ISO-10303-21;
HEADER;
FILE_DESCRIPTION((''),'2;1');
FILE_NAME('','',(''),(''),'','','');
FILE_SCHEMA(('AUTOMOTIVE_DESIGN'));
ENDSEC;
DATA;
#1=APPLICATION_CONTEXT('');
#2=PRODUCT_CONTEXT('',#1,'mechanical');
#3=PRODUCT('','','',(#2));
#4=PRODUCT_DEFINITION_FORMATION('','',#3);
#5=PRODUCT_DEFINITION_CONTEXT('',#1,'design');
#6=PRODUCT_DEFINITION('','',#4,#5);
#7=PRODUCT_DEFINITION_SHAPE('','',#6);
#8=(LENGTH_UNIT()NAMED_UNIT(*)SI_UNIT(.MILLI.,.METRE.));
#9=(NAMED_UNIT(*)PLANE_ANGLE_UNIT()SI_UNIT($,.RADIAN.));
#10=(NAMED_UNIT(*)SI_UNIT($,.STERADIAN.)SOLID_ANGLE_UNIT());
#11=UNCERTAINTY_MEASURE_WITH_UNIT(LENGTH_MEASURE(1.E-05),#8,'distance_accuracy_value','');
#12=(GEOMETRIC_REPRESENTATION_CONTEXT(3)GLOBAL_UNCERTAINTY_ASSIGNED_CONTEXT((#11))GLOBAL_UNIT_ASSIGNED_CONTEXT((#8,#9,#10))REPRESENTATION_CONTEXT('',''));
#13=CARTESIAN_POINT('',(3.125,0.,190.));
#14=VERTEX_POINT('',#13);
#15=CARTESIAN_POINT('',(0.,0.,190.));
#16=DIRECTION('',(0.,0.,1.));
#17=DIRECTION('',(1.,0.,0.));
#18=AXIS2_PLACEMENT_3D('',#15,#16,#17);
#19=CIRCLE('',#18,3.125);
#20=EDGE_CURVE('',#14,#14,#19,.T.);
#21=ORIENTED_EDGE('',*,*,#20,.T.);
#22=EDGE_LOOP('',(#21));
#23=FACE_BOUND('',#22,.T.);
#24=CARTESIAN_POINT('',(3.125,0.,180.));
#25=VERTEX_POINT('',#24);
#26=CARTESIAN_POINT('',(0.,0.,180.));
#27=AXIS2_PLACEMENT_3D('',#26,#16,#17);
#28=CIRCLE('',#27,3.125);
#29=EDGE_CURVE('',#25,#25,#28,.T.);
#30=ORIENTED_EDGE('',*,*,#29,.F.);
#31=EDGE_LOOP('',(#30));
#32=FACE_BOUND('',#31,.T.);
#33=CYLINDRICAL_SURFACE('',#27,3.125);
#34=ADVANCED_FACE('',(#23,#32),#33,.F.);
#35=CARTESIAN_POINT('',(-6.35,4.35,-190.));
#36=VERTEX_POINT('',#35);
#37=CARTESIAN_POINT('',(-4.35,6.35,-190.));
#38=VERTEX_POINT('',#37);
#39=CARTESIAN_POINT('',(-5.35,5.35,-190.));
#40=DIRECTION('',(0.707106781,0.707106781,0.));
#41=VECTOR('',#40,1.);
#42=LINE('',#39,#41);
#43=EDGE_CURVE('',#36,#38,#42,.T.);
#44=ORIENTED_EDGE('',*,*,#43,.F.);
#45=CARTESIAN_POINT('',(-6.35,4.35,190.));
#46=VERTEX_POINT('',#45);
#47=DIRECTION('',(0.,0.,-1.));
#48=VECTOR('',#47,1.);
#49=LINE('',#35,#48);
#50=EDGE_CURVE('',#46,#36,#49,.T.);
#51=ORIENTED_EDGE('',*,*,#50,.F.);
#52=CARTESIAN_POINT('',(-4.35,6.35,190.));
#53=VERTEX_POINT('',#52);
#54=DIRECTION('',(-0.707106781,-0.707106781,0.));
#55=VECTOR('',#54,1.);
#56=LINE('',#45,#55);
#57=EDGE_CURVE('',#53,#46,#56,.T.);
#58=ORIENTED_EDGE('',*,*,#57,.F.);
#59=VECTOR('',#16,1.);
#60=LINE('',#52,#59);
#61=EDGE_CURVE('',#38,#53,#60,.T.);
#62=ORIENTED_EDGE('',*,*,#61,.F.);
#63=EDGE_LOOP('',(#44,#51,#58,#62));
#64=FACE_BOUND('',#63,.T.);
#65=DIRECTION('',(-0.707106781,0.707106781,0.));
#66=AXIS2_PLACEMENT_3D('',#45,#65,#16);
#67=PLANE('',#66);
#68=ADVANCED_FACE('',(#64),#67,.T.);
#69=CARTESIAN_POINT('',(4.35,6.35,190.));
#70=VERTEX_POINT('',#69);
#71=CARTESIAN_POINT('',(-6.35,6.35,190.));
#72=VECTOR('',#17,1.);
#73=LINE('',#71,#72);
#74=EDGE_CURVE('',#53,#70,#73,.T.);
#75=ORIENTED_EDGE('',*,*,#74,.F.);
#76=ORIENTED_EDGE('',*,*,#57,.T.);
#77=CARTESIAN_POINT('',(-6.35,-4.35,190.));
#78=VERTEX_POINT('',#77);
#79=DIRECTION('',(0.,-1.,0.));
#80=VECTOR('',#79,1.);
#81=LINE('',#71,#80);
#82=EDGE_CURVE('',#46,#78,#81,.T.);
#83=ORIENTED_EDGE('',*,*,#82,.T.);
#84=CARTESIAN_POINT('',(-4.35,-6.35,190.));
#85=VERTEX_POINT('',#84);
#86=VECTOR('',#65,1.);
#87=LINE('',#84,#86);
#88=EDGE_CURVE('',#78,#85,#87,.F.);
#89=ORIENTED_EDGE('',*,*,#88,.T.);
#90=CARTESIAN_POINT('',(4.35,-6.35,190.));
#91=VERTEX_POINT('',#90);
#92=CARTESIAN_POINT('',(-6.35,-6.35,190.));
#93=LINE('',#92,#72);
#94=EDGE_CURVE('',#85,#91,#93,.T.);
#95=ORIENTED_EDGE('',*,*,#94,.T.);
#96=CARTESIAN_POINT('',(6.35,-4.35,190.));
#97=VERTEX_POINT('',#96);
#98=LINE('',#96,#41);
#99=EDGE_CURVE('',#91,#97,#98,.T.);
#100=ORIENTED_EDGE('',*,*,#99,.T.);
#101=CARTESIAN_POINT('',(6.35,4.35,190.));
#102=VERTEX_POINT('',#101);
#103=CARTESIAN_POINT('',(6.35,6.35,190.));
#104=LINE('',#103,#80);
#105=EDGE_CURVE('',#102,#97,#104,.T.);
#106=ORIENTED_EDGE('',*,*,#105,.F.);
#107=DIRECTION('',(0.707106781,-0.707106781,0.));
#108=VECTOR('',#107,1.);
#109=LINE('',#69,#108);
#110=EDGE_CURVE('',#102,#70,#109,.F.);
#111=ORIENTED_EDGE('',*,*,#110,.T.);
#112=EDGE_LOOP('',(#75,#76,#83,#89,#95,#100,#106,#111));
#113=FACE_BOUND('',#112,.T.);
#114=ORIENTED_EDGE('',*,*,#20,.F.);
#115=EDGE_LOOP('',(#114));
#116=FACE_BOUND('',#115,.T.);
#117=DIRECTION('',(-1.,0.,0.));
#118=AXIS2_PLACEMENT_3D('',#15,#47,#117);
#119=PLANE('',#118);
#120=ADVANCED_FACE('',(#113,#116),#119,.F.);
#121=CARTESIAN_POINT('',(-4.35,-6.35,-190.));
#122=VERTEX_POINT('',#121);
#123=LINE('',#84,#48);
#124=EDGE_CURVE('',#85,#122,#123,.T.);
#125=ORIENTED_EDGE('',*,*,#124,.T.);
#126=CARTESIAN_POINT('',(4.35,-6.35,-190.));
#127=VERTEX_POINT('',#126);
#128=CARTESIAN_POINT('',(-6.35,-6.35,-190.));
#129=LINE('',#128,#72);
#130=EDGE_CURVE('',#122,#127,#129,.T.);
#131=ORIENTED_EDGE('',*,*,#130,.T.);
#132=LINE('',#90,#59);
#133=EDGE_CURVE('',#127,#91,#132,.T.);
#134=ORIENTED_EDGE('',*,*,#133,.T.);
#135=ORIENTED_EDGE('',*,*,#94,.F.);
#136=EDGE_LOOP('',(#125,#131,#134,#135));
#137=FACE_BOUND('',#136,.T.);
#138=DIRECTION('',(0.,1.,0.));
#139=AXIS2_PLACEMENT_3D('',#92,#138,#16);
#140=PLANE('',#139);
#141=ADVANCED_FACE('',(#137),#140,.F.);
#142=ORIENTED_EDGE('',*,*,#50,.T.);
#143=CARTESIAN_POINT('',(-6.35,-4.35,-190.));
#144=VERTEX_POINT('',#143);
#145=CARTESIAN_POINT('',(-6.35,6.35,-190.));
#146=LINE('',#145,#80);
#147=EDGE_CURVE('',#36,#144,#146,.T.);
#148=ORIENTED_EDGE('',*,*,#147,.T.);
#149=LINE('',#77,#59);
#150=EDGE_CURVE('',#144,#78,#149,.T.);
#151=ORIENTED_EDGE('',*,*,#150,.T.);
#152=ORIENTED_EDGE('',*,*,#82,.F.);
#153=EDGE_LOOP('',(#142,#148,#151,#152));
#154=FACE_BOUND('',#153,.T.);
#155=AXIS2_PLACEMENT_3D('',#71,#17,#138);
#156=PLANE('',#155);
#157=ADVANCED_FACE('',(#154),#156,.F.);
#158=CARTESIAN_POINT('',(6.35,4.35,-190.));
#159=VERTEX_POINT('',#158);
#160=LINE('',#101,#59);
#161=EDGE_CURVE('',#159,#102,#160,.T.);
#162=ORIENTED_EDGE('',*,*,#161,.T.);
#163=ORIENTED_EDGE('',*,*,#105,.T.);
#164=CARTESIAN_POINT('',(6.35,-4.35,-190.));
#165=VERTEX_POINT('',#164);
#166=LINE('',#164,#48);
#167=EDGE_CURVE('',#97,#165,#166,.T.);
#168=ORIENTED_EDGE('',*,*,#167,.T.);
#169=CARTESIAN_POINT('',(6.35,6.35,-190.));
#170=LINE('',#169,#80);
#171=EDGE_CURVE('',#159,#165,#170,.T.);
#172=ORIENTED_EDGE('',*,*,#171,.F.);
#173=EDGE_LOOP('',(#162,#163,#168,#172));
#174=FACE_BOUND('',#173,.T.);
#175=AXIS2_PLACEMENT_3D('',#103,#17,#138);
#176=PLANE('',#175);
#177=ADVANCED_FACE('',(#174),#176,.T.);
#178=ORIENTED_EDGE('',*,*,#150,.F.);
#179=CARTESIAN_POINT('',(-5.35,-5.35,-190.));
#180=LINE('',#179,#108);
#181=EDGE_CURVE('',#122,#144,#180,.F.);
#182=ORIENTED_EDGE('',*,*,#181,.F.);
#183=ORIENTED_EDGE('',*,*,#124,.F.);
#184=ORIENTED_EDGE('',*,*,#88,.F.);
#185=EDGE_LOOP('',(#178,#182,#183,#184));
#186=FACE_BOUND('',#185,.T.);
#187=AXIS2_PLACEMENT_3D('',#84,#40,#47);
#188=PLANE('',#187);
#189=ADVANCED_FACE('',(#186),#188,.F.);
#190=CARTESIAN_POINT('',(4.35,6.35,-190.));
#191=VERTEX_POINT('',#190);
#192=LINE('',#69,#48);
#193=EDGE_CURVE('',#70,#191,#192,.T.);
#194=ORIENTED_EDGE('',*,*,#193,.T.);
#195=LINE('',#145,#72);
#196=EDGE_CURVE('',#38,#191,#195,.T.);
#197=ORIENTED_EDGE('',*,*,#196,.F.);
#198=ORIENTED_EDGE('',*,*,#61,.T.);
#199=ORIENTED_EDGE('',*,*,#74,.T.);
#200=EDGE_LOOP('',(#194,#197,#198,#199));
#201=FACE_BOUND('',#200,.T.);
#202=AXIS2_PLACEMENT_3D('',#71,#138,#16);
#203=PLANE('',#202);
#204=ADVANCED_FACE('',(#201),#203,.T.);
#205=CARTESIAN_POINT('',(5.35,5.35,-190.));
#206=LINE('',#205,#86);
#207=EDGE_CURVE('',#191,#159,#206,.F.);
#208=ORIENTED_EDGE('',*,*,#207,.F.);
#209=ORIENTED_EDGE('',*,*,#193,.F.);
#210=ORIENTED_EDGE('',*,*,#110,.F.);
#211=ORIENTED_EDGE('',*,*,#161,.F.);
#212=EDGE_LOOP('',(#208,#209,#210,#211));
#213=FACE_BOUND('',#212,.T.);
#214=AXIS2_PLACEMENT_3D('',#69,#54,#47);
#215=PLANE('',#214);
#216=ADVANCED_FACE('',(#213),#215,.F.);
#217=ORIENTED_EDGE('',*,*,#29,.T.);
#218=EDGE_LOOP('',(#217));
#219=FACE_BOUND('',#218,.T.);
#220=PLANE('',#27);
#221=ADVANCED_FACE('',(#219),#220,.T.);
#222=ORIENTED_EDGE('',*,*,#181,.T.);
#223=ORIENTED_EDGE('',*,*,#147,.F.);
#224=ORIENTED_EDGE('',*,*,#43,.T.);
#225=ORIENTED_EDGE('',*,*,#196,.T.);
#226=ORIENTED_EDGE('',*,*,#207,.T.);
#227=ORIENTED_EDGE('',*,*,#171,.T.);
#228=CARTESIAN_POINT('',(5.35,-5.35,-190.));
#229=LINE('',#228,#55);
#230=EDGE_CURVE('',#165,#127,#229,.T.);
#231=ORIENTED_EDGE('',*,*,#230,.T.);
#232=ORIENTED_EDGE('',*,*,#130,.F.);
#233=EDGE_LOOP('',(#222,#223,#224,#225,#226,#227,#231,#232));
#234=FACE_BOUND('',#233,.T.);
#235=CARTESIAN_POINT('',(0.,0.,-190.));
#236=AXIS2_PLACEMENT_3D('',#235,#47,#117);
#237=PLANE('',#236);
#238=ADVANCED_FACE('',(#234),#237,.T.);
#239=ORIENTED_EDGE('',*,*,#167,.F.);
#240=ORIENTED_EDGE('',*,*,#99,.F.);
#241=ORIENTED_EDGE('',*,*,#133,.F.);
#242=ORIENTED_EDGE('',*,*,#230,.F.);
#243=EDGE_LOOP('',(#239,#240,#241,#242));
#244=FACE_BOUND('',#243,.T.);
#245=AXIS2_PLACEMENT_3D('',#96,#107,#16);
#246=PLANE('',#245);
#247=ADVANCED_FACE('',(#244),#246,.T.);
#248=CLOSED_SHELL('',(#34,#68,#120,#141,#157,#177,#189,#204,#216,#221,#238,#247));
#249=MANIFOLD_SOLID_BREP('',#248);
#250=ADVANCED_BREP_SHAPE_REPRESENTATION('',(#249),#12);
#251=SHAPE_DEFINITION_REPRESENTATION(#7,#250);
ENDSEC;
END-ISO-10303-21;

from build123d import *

# Parameters (mm, degrees)
SKETCH1_W           = 12.7
SKETCH1_H           = 12.7
BOSS_EXTRUDE1_DEPTH = 190
SKETCH2_R           = 3.125
CUT_EXTRUDE1_DEPTH  = 10
CHAMFER1_SIZE       = 2


with BuildPart() as part:
    # Sketch1 → Boss-Extrude1 (new, symmetric)
    with BuildSketch(Plane.XY):
        Rectangle(SKETCH1_W, SKETCH1_H)
    extrude(amount=BOSS_EXTRUDE1_DEPTH, both=True)

    # Sketch2 → Cut-Extrude1 (cut)
    with BuildSketch(Plane.XY.offset(190)):
        Circle(SKETCH2_R)
    extrude(amount=-CUT_EXTRUDE1_DEPTH, mode=Mode.SUBTRACT)

    # Chamfer1
    chamfer1_edges = [part.edges().sort_by_distance(p)[0] for p in [
        (-6.35, 6.35, 0),
        (-6.35, -6.35, 0),
        (6.35, -6.35, 0),
        (6.35, 6.35, 0),
    ]]
    chamfer(chamfer1_edges, length=CHAMFER1_SIZE)


solid = part.part
